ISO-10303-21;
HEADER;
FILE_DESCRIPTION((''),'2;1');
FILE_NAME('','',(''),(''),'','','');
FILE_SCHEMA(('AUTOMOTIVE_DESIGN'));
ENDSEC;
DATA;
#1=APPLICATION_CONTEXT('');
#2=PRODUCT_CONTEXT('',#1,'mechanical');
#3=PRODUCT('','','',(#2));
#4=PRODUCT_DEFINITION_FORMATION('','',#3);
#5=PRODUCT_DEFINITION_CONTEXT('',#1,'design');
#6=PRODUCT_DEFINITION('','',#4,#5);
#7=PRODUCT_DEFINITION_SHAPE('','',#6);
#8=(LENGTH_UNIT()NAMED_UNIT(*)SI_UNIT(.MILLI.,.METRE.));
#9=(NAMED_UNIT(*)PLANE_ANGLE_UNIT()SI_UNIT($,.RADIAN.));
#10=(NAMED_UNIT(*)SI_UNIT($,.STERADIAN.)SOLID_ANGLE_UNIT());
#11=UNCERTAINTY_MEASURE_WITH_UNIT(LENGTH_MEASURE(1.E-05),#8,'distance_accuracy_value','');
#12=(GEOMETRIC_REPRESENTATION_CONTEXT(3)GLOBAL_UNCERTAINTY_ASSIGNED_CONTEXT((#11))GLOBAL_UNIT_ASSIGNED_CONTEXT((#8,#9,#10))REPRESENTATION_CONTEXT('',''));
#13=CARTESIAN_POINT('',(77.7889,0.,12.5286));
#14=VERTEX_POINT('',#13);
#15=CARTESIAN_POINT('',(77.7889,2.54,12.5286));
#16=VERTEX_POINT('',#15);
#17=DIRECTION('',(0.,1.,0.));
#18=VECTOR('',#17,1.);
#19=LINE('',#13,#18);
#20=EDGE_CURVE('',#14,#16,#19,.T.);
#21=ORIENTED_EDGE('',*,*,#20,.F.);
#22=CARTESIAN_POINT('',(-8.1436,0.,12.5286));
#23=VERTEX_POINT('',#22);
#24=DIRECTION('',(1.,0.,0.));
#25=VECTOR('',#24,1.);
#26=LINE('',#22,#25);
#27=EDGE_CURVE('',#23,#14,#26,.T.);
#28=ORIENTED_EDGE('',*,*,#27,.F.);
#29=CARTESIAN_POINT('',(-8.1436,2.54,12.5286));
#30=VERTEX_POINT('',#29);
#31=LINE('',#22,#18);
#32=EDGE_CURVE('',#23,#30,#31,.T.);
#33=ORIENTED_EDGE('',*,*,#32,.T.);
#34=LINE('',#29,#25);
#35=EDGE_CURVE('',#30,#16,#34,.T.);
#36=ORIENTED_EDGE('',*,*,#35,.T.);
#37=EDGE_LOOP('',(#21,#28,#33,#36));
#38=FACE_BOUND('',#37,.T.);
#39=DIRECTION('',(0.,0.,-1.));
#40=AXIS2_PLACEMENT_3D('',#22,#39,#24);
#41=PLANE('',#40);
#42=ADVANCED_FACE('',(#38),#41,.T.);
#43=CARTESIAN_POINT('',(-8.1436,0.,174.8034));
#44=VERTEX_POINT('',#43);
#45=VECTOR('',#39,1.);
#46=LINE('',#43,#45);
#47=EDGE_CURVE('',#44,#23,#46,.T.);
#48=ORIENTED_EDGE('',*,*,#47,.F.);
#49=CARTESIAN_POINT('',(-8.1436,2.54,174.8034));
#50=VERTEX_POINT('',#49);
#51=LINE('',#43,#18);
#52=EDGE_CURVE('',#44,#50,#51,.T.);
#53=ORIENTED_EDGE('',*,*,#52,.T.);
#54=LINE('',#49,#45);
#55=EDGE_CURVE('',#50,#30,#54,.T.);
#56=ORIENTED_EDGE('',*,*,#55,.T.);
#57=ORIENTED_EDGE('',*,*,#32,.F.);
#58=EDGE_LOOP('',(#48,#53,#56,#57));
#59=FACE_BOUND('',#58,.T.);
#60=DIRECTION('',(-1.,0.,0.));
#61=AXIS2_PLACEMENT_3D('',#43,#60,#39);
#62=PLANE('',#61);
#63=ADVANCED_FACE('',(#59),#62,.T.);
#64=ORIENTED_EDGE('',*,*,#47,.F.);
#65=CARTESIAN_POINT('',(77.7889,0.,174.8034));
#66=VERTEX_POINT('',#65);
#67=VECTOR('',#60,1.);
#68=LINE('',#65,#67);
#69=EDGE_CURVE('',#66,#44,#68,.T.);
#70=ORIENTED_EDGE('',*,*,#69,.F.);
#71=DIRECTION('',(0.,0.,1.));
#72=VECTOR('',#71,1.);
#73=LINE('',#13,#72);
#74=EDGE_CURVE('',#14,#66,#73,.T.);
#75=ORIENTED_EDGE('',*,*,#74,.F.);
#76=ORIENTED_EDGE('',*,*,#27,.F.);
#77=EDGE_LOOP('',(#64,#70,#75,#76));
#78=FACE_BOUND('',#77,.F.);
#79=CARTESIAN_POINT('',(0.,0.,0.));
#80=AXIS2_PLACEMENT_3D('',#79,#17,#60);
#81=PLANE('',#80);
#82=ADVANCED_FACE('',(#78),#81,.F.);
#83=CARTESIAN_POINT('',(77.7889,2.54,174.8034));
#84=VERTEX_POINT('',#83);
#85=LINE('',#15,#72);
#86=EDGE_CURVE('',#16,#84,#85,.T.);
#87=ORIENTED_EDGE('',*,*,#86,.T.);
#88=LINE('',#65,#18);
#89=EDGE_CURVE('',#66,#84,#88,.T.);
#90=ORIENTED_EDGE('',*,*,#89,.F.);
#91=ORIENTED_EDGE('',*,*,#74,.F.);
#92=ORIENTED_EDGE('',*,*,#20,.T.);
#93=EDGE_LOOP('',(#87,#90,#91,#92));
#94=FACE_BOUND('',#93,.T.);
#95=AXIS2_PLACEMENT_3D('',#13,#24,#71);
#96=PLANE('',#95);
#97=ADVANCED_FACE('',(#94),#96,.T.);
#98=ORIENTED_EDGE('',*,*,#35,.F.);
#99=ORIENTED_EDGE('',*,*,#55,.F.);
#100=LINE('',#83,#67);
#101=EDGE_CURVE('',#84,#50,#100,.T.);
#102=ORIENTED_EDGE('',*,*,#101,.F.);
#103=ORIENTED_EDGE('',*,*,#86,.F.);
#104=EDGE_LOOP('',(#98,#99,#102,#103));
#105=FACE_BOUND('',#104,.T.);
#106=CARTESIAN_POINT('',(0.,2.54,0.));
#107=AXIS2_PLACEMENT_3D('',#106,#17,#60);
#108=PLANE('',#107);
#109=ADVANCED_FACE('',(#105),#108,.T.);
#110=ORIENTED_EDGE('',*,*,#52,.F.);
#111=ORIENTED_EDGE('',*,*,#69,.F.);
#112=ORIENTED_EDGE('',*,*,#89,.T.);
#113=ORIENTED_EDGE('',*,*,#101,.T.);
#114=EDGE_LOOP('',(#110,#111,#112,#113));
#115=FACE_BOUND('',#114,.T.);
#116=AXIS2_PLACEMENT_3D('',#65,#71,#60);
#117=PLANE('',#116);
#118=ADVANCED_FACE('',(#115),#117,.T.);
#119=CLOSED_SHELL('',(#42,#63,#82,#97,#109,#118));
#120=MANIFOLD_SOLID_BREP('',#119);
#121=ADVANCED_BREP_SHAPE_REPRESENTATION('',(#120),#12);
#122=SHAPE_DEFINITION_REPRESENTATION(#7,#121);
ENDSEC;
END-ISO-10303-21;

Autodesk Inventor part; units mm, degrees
ref_plane "YZ Plane" through (0, 0, 0) normal (1, 0, 0) x (0, 1, 0)
ref_plane "XZ Plane" through (0, 0, 0) normal (0, 1, 0) x (-1, 0, 0)
ref_plane "XY Plane" through (0, 0, 0) normal (0, 0, 1) x (1, 0, 0)
sketch "Sketch1" plane through (0, 0, 0) normal (0, 1, 0) x (-1, 0, 0)
  line L0 (8.1436, 12.5286) -> (-77.7889, 12.5286)
  line L1 (-77.7889, 12.5286) -> (-77.7889, 174.8034)
  line L2 (-77.7889, 174.8034) -> (8.1436, 174.8034)
  line L3 (8.1436, 174.8034) -> (8.1436, 12.5286)
  point P0 (0, 0)
extrude "Extrusion1" add sketch "Sketch1" along normal blind 2.54
properties part number "plate"
